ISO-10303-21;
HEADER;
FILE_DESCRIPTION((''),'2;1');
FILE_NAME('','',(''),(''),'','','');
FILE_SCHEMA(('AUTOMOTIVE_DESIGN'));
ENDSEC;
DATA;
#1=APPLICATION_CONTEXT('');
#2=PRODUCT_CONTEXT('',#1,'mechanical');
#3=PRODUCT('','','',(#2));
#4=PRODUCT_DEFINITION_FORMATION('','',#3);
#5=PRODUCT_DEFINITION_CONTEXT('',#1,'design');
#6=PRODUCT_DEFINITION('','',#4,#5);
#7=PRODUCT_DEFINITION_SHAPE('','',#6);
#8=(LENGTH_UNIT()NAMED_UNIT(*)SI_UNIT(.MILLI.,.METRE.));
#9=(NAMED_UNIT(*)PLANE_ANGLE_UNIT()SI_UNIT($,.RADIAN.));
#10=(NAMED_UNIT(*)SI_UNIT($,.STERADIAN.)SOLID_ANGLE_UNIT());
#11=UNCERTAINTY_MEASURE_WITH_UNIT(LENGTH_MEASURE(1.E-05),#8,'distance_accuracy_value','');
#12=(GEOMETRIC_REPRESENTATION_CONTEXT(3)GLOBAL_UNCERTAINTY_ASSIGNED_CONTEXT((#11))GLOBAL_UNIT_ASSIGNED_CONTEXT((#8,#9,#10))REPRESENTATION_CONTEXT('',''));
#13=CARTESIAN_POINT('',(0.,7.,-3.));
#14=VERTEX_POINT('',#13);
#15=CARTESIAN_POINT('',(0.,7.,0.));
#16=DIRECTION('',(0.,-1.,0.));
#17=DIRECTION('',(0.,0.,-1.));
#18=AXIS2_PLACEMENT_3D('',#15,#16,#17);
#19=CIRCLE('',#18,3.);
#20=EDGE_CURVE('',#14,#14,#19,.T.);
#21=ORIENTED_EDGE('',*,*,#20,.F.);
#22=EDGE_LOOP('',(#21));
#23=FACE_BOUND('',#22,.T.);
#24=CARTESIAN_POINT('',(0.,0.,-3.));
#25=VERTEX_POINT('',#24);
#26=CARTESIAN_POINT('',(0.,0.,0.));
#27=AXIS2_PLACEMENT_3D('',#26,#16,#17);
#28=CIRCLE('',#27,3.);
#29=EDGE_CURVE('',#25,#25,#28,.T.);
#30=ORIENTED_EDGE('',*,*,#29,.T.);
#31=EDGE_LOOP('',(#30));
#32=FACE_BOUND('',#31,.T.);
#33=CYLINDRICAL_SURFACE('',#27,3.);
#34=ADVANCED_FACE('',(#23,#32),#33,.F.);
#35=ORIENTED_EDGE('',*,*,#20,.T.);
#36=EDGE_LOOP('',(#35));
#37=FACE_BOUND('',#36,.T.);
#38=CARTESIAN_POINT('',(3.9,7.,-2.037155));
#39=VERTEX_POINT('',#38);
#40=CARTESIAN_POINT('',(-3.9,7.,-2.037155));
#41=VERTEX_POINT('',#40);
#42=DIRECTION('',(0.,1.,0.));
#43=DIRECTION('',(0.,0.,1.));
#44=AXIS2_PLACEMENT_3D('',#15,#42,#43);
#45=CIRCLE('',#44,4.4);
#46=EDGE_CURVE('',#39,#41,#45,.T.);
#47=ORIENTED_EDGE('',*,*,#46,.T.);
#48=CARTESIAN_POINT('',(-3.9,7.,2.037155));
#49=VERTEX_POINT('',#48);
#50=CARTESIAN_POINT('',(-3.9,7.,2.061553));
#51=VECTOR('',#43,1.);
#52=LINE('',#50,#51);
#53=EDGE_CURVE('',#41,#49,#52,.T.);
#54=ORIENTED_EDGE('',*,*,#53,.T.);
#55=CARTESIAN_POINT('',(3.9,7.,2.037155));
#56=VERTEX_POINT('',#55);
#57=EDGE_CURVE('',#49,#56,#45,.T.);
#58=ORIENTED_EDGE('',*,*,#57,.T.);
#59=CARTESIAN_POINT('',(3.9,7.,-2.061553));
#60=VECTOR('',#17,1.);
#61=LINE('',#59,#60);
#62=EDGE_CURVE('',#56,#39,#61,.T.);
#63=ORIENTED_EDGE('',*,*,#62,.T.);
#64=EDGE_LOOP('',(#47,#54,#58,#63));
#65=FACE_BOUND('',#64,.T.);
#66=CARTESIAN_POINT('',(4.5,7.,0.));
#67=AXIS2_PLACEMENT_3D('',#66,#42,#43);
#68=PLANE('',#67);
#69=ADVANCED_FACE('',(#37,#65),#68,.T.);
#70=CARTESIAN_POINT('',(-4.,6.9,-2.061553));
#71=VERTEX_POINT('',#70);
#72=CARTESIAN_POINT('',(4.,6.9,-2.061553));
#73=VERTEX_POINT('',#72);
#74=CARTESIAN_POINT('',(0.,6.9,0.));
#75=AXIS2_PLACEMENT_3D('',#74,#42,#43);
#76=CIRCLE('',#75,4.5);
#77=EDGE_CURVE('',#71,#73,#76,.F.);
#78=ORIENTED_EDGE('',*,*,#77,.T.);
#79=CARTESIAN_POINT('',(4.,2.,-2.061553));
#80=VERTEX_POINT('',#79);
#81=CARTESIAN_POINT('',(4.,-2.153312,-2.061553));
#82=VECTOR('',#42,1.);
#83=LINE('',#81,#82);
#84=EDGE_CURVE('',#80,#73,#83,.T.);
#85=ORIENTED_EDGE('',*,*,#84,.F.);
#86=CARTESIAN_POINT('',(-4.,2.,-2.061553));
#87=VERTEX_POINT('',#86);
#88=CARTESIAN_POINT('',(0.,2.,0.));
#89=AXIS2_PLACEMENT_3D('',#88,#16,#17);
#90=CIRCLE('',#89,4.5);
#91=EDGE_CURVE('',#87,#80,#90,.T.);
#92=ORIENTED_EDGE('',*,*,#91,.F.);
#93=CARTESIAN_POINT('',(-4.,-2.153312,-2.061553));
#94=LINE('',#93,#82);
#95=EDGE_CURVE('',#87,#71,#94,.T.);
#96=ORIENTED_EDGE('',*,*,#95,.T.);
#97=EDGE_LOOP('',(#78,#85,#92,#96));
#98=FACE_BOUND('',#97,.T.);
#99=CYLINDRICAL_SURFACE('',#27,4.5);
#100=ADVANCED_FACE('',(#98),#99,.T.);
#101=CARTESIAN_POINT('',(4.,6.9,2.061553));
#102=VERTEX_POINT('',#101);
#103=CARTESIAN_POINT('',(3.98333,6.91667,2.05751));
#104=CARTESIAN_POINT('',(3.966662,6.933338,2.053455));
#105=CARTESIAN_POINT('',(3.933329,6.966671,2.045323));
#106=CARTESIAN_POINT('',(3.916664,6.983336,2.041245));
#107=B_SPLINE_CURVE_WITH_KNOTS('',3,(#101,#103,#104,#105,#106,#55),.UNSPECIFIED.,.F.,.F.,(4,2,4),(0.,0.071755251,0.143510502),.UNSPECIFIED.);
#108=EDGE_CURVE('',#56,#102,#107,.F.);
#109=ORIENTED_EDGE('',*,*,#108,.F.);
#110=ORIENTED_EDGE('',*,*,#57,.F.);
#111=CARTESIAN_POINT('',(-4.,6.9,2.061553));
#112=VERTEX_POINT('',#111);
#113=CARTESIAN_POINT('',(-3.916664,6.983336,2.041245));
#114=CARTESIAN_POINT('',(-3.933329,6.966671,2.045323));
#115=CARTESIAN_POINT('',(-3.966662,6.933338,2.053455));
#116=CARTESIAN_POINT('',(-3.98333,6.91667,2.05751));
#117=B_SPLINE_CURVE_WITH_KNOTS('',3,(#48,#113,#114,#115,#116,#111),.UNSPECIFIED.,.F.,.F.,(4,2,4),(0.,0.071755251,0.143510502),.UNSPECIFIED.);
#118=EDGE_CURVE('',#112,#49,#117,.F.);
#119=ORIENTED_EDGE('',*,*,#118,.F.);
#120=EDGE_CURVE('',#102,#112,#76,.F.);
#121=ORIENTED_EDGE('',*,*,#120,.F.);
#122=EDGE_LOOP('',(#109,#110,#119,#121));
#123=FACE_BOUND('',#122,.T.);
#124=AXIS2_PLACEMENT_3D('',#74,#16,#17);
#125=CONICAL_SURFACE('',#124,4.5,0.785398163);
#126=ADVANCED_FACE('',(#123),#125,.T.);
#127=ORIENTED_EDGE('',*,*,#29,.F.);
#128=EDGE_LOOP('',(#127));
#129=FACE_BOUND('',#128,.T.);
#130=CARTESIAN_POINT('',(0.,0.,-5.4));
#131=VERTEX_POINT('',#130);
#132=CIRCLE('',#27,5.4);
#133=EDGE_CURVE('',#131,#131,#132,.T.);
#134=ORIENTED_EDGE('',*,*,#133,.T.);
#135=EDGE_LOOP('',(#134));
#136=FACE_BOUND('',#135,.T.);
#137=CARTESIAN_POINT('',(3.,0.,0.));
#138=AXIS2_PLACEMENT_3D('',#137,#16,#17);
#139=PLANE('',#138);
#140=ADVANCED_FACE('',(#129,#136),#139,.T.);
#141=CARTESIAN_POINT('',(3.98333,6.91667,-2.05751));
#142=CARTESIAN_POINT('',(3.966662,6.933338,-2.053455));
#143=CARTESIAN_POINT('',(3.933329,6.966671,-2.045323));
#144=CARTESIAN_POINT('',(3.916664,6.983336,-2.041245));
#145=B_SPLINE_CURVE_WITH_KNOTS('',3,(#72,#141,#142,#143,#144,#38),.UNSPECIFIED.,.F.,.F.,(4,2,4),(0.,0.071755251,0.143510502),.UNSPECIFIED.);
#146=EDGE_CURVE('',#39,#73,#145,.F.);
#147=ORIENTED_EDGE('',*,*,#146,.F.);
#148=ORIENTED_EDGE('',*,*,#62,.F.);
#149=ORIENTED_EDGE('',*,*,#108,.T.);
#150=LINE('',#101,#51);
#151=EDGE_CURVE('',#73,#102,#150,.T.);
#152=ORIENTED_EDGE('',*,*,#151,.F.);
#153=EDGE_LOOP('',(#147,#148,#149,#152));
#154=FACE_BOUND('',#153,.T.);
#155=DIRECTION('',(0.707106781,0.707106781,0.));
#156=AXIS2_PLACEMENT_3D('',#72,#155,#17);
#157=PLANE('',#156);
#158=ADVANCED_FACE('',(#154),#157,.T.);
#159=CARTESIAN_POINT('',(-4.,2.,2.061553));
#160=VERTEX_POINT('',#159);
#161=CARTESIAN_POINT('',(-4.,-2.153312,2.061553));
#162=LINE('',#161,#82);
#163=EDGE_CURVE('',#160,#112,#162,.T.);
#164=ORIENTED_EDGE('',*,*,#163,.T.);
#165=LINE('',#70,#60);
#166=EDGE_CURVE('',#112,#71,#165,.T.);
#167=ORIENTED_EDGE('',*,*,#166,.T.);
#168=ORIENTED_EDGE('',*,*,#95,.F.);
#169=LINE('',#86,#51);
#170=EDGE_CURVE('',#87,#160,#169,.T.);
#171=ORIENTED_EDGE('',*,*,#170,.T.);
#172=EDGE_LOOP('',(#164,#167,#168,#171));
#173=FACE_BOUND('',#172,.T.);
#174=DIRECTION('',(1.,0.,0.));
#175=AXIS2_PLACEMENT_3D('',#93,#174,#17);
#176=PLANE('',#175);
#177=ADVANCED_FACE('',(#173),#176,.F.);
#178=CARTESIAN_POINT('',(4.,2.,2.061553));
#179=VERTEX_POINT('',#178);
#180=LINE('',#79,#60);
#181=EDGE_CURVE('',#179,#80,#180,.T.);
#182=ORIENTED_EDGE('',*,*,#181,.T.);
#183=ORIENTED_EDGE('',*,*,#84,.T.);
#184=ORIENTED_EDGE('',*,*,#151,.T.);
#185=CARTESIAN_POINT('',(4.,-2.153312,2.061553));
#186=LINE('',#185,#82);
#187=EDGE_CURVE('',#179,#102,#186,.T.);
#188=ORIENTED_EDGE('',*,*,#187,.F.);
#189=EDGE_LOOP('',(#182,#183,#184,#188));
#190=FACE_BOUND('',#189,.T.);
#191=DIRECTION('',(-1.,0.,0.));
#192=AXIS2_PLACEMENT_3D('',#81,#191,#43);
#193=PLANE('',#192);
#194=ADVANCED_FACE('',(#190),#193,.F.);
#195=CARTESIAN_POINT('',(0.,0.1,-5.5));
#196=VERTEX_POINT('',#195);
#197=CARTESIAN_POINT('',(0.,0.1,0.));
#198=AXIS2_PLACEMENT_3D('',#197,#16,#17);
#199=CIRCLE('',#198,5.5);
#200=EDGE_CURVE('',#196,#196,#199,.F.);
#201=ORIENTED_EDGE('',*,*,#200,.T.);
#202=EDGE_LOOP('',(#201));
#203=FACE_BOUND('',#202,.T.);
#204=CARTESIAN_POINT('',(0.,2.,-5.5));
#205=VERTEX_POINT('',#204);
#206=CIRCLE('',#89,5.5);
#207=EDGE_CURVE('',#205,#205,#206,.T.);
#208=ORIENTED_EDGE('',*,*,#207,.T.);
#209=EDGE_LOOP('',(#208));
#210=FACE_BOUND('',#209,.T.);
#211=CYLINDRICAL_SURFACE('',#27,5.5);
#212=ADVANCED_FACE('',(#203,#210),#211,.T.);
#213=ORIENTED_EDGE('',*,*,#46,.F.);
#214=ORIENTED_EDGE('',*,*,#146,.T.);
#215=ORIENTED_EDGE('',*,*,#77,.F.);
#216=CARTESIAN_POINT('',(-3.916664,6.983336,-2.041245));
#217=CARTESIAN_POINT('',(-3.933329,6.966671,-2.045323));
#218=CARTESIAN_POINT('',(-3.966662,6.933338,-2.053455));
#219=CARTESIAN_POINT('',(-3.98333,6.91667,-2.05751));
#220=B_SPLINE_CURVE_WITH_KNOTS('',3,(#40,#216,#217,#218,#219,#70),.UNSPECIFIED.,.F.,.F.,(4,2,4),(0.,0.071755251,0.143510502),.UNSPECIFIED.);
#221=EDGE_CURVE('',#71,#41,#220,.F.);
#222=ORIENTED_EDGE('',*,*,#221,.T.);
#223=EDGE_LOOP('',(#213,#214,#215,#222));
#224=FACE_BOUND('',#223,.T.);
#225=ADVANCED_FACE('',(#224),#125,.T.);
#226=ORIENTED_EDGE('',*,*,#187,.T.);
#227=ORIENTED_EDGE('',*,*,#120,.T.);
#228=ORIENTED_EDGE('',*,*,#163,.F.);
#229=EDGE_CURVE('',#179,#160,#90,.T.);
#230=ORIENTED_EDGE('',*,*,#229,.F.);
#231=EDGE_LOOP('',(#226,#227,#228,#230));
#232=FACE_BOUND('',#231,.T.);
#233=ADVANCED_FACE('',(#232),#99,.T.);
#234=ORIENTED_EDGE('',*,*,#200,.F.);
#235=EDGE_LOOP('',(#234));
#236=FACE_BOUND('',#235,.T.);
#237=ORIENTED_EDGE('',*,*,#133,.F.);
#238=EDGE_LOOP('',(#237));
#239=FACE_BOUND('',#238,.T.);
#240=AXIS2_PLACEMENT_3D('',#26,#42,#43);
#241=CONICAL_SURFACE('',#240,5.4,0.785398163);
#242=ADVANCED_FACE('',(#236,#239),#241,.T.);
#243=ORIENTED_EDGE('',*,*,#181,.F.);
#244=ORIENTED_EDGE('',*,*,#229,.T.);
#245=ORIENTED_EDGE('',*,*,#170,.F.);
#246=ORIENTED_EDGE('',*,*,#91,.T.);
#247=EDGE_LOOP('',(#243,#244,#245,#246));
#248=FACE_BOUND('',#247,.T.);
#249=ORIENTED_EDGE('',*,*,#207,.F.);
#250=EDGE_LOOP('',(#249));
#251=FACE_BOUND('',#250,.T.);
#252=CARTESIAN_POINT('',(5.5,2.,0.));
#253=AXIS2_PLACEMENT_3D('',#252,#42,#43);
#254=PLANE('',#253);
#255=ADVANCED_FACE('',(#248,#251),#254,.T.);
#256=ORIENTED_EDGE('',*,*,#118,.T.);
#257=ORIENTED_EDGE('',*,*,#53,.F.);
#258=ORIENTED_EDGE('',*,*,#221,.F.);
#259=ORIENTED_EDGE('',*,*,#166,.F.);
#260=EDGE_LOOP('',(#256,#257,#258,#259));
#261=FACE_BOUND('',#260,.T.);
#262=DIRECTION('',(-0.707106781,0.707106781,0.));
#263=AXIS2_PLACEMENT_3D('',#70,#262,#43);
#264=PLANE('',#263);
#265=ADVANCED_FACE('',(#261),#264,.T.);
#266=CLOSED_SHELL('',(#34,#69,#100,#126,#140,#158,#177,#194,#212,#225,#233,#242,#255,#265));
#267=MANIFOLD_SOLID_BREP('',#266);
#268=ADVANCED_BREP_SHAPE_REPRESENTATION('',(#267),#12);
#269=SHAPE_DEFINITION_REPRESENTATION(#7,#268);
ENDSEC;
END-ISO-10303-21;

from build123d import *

# Parameters (mm, degrees)
CUT_EXTRUDE1_DEPTH      = 11.464224768
CUT_EXTRUDE1_DEPTH_BACK = 5
CHAMFER1_SIZE           = 0.1


with BuildPart() as part:
    # Sketch1 → Revolve1 (revolve)
    with BuildSketch(Plane.XY, mode=Mode.PRIVATE) as revolve1_sk:
        Polygon((3, 0), (5.5, 0), (5.5, 2), (4.5, 2), (4.5, 7), (3, 7), align=None)
    revolve(revolve1_sk.sketch.rotate(Axis((0, 0, 0), (0, 1, 0)), 90), axis=Axis((0, 0, 0), (0, 1, 0)))

    # Sketch2 → Cut-Extrude1 (cut, two sides: drawn at the far end of the back side and taken through both)
    with BuildSketch(Plane(origin=(0, 7, 0), x_dir=(1, 0, 0), z_dir=(0, 1, 0)).offset(-CUT_EXTRUDE1_DEPTH_BACK)):
        with BuildLine():
            Line((-4, 2.061552813), (-4, -2.061552813))
            ThreePointArc((-4, -2.061552813), (-4.5, 0), (-4, 2.061552813))
        make_face()
        with BuildLine():
            Line((4, 2.061552813), (4, -2.061552813))
            ThreePointArc((4, -2.061552813), (4.5, 0), (4, 2.061552813))
        make_face()
    extrude(amount=CUT_EXTRUDE1_DEPTH + CUT_EXTRUDE1_DEPTH_BACK, mode=Mode.SUBTRACT)

    # Chamfer1
    chamfer1_edges = [part.edges().sort_by_distance(p)[0] for p in [
        (0, 7, 4.5),
        (0, 7, -4.5),
        (4, 7, 0),
        (-4, 7, 0),
        (0, 0, 5.5),
    ]]
    chamfer(chamfer1_edges, length=CHAMFER1_SIZE)


solid = part.part
